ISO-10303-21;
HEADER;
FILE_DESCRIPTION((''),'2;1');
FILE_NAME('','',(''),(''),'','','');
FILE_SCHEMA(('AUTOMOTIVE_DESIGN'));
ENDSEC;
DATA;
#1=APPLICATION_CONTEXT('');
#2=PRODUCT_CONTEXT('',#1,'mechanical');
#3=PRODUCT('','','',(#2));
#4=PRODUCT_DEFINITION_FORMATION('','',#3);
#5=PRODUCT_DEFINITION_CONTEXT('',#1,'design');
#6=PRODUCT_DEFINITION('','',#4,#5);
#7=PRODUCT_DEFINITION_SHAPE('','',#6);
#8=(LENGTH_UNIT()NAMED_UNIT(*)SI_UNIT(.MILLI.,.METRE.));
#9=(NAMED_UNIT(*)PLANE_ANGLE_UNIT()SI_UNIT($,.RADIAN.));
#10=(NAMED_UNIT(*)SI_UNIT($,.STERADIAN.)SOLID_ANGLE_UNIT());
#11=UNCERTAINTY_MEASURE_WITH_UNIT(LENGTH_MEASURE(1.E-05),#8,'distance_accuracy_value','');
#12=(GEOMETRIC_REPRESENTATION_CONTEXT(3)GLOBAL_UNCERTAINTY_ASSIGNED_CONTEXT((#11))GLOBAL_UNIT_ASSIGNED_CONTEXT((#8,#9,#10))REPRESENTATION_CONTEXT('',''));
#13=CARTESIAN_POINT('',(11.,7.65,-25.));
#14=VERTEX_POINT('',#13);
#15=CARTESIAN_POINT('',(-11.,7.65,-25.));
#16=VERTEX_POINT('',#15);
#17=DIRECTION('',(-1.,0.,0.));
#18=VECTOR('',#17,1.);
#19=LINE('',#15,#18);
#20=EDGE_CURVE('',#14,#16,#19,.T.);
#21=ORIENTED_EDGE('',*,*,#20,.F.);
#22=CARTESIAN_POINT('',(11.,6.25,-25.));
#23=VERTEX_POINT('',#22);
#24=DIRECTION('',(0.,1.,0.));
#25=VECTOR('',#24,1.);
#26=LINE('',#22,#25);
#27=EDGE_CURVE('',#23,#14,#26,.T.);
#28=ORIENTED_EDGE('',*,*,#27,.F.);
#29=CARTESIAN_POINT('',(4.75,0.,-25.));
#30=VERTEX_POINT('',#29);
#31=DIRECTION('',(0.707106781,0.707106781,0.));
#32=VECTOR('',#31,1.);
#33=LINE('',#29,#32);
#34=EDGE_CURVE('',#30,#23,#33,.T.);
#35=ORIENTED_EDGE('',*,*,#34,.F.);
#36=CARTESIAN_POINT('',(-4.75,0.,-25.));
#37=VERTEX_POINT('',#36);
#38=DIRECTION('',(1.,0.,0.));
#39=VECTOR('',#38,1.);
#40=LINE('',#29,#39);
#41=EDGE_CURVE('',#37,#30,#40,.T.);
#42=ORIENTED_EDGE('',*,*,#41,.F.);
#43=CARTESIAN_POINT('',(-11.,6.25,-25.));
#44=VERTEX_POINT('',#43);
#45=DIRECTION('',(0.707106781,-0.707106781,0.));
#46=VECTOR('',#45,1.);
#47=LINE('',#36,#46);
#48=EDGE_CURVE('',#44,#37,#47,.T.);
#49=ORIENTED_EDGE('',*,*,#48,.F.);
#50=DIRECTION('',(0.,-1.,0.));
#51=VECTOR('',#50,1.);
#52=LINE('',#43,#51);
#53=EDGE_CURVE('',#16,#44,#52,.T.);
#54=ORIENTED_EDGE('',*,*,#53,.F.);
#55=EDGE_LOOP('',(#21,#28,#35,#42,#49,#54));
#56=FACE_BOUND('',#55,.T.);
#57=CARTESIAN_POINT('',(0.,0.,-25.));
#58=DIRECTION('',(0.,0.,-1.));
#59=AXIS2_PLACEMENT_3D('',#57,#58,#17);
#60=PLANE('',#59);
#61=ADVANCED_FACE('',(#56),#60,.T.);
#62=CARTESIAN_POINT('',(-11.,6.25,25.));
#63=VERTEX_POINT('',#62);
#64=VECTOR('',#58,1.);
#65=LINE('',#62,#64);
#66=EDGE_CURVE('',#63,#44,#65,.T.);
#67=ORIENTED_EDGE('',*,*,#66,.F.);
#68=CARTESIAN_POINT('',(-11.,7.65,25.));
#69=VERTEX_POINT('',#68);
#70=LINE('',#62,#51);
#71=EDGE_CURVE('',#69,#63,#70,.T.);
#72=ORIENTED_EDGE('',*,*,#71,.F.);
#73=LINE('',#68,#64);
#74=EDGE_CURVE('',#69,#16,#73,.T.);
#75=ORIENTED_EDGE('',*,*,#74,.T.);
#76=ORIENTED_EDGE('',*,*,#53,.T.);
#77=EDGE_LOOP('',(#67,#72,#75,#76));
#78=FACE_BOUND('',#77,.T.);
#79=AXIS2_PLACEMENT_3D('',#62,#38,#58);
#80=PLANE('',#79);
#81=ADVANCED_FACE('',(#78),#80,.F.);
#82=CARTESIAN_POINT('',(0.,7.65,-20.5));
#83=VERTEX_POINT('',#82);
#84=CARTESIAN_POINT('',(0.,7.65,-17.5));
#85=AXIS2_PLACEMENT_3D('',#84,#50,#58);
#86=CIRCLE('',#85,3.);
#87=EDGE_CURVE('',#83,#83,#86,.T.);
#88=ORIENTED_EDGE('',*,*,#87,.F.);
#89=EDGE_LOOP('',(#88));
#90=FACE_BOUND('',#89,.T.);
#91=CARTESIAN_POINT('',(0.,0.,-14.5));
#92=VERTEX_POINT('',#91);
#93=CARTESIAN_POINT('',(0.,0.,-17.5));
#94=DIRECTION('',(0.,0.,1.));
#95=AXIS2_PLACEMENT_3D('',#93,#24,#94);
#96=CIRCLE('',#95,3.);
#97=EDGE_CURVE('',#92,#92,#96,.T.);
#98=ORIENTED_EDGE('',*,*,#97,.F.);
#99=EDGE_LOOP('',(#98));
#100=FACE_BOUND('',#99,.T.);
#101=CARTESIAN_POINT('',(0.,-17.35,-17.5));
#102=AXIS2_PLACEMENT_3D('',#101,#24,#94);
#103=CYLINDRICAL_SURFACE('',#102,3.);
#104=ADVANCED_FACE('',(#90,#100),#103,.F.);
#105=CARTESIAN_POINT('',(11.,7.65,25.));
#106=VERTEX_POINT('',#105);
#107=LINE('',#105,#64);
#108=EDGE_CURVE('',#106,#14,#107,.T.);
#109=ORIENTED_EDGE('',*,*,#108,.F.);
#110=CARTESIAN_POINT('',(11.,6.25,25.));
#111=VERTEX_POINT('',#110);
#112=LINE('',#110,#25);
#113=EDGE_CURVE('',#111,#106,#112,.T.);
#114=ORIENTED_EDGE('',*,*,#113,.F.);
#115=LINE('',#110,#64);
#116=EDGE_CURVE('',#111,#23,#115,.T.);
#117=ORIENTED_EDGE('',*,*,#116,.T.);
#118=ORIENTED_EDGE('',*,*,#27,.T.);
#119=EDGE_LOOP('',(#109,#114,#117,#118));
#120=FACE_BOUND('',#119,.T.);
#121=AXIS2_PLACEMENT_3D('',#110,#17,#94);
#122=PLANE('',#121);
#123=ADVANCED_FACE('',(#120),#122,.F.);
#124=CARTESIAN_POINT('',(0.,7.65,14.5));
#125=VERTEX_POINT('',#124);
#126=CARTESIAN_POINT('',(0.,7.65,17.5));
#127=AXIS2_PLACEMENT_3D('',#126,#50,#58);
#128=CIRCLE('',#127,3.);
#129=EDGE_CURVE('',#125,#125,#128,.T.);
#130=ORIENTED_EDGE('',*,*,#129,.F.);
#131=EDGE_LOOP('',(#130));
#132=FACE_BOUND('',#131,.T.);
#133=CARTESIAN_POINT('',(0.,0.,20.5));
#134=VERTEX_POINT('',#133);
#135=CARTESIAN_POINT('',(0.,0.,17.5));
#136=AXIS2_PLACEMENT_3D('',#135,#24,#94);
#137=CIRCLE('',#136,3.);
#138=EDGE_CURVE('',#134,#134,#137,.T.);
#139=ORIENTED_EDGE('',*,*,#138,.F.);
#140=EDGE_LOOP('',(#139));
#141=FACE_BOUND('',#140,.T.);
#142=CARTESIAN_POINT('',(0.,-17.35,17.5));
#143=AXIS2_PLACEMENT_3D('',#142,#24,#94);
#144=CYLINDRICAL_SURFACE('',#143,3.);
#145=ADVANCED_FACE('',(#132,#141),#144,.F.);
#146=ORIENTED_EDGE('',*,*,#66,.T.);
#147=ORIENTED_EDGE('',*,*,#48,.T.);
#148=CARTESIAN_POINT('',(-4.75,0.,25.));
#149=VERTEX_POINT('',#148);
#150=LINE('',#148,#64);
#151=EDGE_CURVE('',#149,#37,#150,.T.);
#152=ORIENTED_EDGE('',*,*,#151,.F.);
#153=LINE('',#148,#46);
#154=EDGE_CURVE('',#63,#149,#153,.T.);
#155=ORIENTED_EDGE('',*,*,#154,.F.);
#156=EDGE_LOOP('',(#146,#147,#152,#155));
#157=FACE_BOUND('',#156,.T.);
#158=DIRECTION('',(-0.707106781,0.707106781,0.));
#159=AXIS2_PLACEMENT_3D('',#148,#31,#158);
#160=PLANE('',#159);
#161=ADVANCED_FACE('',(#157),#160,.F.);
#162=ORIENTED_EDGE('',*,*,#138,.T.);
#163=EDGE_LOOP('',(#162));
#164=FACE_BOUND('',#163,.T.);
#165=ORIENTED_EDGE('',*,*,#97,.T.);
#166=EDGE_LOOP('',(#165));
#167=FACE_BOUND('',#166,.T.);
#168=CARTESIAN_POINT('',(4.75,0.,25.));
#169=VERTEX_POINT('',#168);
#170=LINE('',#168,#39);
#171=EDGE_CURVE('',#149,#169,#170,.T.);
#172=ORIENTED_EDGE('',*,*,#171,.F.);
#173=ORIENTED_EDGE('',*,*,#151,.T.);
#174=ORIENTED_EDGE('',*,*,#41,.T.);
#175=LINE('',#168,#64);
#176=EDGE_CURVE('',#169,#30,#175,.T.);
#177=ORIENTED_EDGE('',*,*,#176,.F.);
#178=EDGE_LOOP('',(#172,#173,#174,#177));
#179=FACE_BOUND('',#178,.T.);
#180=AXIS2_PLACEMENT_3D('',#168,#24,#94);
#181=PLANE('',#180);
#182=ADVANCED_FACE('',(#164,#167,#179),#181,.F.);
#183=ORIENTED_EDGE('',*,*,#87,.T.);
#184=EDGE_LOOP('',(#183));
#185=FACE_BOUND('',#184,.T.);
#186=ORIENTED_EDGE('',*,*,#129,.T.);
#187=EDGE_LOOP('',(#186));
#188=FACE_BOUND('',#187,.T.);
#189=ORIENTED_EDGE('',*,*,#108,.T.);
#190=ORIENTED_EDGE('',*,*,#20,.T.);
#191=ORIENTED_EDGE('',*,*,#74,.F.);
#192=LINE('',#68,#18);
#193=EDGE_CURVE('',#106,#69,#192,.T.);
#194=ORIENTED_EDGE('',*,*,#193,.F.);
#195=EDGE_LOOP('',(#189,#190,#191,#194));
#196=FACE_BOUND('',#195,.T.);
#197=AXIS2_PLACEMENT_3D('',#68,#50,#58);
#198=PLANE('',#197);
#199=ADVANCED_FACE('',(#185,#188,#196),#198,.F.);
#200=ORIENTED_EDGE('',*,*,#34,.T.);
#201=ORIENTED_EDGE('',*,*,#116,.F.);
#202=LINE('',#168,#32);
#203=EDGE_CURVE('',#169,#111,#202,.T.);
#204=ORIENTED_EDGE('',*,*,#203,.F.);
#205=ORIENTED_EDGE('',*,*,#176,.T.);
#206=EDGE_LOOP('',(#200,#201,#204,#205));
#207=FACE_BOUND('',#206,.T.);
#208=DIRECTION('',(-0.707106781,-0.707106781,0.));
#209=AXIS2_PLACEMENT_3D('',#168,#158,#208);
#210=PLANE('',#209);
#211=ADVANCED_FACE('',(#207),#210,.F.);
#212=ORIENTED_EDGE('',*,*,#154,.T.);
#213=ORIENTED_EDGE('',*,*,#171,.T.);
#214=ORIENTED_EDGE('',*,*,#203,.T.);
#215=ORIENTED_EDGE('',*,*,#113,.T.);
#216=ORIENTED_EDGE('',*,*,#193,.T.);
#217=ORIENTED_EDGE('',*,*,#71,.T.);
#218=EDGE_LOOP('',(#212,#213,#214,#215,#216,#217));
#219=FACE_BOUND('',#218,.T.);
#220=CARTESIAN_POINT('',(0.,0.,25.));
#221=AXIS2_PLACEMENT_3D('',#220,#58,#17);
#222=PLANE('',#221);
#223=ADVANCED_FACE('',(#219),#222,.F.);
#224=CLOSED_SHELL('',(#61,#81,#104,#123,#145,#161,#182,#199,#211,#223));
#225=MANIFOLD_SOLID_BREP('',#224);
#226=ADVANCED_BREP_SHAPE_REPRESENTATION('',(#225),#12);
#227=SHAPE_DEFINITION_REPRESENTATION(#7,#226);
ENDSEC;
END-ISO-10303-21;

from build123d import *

# Parameters (mm, degrees)
BOSS_EXTRUDE1_DEPTH = 25
SKETCH2_R           = 3
CUT_EXTRUDE1_DEPTH  = 25


with BuildPart() as part:
    # Sketch1 → Boss-Extrude1 (new body, symmetric)
    with BuildSketch(Plane.XY):
        Polygon((4.75, 0), (-4.75, 0), (-11, 6.25), (-11, 7.65), (11, 7.65), (11, 6.25), align=None)
    extrude(amount=BOSS_EXTRUDE1_DEPTH, both=True)

    # Sketch2 → Cut-Extrude1 (cut, symmetric)
    with BuildSketch(Plane(origin=(0, 7.65, 0), x_dir=(1, 0, 0), z_dir=(0, 1, 0))):
        with Locations((0, 17.5)):
            Circle(SKETCH2_R)
        with Locations((0, -17.5)):
            Circle(SKETCH2_R)
    extrude(amount=CUT_EXTRUDE1_DEPTH, both=True, mode=Mode.SUBTRACT)


solid = part.part
